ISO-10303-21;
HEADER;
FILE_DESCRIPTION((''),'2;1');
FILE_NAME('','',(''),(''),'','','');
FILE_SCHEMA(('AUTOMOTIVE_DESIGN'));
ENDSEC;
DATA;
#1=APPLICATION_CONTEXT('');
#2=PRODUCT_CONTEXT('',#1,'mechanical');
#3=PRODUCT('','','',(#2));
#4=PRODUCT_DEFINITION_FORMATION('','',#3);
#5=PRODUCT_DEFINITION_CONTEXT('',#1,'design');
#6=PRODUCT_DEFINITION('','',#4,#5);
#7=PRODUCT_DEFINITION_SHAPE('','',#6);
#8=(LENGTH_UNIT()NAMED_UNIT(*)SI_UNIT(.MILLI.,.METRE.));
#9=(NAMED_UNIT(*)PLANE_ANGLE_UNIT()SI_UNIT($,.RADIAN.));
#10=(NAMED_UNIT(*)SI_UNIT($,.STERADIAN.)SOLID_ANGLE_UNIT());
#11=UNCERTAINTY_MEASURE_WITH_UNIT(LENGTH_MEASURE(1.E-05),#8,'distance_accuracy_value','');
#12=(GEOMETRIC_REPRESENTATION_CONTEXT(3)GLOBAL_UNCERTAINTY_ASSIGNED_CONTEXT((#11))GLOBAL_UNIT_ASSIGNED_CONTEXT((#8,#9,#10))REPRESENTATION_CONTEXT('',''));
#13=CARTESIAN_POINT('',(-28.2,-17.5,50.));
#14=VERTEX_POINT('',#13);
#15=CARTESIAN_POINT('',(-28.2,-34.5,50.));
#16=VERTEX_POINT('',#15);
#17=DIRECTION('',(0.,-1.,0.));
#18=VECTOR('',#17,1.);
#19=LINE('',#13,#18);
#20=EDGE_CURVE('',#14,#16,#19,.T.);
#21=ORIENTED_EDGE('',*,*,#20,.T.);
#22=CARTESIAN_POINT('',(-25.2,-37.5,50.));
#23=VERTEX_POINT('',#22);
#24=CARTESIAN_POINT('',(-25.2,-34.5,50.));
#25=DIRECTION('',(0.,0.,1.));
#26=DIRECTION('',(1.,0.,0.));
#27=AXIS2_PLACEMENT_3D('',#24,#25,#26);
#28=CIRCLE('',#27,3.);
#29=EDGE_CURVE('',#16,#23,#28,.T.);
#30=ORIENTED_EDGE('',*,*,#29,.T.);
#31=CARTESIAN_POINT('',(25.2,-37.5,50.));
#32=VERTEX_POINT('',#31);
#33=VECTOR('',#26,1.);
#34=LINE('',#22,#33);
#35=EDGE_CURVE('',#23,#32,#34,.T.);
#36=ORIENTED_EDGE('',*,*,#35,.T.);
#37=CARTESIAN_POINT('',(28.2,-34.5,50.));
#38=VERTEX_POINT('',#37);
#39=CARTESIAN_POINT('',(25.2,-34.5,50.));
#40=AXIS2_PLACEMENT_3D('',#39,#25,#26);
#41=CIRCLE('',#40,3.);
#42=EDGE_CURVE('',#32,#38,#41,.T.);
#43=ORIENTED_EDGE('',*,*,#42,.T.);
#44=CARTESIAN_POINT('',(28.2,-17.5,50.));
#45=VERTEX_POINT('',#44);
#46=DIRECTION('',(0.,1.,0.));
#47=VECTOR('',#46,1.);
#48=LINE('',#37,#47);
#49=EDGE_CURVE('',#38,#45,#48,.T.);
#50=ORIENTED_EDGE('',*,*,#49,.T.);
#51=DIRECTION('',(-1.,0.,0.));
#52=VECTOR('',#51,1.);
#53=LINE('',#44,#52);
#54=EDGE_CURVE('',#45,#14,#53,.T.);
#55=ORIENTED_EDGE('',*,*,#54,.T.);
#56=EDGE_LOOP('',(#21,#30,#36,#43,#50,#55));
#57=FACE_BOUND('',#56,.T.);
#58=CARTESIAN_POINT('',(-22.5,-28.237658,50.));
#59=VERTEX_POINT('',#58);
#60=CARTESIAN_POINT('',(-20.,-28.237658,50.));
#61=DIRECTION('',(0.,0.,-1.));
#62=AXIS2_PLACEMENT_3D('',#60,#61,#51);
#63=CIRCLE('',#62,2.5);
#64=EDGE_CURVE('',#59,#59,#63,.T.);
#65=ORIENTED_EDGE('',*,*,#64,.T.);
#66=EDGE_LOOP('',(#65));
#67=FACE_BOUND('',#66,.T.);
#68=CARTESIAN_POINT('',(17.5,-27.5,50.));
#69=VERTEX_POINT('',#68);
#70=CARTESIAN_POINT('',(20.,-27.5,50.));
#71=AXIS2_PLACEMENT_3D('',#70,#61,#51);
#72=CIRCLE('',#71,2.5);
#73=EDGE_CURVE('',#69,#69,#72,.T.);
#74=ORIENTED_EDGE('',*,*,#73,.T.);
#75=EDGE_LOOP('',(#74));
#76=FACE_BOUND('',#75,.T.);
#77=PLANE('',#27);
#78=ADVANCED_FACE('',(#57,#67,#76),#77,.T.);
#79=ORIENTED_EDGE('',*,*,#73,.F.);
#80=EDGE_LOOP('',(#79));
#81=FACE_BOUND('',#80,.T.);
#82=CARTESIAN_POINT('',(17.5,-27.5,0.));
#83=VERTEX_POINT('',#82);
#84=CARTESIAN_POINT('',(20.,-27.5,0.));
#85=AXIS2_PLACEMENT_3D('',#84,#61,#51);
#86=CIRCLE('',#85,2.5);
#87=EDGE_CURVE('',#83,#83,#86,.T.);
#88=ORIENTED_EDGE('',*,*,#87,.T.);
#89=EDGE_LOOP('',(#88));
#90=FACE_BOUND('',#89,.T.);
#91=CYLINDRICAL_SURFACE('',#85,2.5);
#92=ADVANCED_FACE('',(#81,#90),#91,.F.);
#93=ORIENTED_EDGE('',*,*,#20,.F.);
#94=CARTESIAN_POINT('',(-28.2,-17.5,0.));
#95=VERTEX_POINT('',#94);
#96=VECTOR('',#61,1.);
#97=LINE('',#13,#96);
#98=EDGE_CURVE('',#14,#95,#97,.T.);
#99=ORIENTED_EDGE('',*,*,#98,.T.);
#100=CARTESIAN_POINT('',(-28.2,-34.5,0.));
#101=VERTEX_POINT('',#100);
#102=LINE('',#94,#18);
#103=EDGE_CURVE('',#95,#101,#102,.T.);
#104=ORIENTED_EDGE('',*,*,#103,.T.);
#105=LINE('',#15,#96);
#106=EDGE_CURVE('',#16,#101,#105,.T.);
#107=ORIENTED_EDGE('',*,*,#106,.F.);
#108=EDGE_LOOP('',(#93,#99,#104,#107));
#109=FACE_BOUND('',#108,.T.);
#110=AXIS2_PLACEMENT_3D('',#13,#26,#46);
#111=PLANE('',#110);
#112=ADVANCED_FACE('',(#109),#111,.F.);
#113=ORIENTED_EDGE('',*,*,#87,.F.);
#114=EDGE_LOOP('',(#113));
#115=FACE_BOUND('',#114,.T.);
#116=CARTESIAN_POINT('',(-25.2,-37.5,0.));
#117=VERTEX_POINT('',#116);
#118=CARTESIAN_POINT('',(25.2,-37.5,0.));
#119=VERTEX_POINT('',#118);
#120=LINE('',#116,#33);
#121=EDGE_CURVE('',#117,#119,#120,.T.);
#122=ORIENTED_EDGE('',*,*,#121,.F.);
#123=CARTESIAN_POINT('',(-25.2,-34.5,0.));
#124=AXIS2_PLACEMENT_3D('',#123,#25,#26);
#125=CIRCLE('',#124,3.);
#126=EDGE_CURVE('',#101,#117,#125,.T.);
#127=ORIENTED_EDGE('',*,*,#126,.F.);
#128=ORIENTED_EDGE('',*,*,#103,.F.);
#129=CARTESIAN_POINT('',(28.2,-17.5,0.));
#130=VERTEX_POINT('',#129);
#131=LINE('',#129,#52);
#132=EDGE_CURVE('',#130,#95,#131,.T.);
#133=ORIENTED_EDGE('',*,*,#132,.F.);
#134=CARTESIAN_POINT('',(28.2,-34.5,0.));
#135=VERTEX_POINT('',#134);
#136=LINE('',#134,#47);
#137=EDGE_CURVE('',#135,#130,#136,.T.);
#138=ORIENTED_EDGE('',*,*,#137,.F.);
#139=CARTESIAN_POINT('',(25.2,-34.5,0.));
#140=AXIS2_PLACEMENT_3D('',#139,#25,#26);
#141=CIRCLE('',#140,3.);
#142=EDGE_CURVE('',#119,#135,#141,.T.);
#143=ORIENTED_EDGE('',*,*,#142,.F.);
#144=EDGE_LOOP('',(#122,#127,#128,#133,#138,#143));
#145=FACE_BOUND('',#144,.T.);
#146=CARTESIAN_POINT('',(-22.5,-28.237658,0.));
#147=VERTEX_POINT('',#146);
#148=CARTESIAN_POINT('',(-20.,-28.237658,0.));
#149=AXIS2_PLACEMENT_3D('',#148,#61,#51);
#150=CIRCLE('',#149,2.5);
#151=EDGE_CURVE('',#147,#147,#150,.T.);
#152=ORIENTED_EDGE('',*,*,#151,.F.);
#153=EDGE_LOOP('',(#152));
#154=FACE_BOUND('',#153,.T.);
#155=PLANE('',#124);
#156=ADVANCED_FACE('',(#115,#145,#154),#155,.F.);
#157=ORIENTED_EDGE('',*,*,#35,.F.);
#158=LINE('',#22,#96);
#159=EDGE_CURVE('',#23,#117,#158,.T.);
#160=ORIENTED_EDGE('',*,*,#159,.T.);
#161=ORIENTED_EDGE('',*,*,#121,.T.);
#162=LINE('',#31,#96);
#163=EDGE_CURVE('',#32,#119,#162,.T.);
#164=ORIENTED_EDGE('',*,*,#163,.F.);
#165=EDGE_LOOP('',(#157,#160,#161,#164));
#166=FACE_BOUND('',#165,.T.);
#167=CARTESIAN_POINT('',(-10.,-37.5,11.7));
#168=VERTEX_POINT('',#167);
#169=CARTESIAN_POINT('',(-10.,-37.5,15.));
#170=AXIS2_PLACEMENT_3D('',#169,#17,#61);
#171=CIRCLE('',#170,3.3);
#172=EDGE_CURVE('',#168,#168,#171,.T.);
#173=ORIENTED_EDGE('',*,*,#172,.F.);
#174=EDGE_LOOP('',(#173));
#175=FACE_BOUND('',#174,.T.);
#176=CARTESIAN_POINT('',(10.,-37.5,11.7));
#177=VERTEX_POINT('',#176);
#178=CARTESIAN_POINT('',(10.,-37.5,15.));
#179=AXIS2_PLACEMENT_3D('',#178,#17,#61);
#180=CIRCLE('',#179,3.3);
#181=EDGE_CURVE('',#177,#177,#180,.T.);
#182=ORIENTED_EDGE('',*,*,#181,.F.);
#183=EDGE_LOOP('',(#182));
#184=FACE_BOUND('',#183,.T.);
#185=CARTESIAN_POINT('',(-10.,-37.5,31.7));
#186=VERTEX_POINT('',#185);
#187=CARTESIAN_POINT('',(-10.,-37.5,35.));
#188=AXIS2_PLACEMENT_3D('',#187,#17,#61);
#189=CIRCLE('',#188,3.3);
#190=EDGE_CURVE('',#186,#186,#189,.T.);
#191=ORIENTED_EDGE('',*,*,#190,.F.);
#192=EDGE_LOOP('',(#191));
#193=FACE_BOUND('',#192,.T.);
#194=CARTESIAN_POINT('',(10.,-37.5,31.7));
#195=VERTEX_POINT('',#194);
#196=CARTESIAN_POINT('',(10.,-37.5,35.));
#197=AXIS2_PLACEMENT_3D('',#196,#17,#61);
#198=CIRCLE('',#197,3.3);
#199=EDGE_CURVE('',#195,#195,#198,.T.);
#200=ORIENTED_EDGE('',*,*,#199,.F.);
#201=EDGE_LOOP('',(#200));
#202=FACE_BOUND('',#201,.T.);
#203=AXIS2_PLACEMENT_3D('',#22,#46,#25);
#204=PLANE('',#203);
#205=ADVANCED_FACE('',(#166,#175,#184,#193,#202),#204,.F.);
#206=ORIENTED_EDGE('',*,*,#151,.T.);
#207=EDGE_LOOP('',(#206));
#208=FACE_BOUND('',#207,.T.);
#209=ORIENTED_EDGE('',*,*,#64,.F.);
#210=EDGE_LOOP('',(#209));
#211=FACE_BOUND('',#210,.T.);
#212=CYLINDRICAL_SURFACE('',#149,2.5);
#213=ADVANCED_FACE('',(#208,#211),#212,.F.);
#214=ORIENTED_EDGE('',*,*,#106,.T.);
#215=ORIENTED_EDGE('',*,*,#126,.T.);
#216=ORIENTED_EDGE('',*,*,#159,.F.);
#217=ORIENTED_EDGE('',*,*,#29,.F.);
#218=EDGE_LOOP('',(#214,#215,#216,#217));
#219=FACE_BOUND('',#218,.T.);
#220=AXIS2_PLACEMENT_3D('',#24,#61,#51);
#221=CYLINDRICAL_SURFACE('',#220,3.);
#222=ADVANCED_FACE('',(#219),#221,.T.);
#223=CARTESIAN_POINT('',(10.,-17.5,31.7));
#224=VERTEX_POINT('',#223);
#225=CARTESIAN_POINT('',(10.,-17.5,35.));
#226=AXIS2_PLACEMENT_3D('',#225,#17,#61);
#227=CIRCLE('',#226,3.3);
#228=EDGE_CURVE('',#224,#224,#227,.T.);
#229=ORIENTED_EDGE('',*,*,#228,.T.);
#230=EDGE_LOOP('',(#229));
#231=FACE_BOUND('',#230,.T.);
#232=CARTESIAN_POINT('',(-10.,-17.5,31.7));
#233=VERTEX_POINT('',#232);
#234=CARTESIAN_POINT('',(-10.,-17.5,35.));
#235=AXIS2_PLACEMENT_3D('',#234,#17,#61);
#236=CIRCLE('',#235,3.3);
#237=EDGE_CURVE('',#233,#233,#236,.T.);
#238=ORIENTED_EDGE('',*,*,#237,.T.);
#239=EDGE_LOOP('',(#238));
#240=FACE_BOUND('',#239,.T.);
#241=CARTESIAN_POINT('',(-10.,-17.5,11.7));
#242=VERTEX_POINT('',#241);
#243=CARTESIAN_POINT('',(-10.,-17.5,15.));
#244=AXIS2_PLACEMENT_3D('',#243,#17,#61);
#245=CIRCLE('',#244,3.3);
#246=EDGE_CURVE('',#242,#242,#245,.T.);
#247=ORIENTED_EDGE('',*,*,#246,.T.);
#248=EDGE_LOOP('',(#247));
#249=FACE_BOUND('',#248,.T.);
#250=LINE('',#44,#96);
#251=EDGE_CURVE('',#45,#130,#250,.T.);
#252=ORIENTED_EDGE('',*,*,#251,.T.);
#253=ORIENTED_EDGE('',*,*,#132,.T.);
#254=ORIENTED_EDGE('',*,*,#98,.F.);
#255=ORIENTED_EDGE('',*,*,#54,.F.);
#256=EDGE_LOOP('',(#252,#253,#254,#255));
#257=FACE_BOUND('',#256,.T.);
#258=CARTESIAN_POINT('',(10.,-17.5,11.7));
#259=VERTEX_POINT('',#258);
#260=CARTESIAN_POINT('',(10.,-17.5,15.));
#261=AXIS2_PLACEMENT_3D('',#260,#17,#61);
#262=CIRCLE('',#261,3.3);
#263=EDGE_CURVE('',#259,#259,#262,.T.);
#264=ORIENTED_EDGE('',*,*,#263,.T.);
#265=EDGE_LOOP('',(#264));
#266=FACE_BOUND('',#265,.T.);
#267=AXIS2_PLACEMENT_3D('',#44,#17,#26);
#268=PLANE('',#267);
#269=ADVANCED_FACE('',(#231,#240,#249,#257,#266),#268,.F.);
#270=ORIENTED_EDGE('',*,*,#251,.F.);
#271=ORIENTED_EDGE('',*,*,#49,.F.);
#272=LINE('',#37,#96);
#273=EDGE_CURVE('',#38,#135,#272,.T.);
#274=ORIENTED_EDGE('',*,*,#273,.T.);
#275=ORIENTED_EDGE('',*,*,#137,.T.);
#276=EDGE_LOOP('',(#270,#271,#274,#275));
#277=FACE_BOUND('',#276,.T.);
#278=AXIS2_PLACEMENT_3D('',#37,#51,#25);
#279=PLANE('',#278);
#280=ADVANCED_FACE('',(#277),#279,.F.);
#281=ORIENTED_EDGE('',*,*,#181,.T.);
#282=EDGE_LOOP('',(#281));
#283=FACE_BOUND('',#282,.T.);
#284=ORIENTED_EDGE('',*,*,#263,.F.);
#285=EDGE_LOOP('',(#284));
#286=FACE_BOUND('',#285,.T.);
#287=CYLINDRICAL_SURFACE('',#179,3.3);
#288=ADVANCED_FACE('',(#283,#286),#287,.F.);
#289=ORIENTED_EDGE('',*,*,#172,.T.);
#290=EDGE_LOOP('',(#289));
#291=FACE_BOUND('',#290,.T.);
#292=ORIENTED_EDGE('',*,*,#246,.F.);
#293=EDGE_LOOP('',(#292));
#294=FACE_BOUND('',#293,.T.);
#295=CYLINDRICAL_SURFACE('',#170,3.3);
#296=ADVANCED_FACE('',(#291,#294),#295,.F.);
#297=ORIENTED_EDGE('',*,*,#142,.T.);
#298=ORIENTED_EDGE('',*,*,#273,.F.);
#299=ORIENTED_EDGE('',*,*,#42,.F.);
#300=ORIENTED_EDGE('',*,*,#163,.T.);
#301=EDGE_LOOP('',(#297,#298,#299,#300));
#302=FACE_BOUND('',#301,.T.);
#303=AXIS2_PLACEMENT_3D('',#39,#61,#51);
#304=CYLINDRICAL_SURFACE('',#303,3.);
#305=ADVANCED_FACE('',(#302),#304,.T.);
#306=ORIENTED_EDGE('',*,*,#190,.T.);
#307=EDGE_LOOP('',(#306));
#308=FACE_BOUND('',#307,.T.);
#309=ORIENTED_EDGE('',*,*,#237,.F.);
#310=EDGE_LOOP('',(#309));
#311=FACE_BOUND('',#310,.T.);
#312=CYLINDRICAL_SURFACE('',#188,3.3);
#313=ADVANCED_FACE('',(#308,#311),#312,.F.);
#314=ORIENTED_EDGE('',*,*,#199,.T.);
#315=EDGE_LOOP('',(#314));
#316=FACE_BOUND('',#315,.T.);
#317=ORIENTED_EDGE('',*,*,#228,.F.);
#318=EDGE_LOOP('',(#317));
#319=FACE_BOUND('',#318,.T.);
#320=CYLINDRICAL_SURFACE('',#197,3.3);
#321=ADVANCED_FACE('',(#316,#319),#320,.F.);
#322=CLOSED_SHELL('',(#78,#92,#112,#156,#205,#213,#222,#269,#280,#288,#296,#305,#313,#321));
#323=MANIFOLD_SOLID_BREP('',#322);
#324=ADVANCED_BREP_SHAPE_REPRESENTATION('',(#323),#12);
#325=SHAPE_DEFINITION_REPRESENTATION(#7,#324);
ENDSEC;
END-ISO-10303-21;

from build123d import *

# Parameters (mm, degrees)
BOSS_EXTRUDE1_DEPTH     = 50
TAP_DRILL_FOR_M6_TAP1_D = 5
M6_CLEARANCE_HOLE1_D    = 6.6


with BuildPart() as part:
    # Sketch1 → Boss-Extrude1 (new body)
    with BuildSketch(Plane.XY):
        with BuildLine():
            Line((28.2, -17.5), (-28.2, -17.5))
            Line((-28.2, -17.5), (-28.2, -34.5))
            ThreePointArc((-28.2, -34.5), (-27.321320344, -36.621320344), (-25.2, -37.5))
            Line((-25.2, -37.5), (25.2, -37.5))
            ThreePointArc((25.2, -37.5), (27.321320343, -36.621320344), (28.2, -34.5))
            Line((28.2, -34.5), (28.2, -17.5))
        make_face()
    extrude(amount=BOSS_EXTRUDE1_DEPTH)

    # Tap Drill for M6 Tap1 (through all)
    with Locations(Plane(origin=(0, 0, 0), x_dir=(-1, 0, 0), z_dir=(0, 0, -1))):
        with Locations((-20, -27.5), (20, -28.237657735)):
            Hole(TAP_DRILL_FOR_M6_TAP1_D / 2)

    # M6 Clearance Hole1 (through all)
    with Locations(Plane(origin=(0, -37.5, 0), x_dir=(-1, 0, 0), z_dir=(0, -1, 0))):
        with Locations((10, -15), (-10, -35), (10, -35), (-10, -15)):
            Hole(M6_CLEARANCE_HOLE1_D / 2)


solid = part.part
